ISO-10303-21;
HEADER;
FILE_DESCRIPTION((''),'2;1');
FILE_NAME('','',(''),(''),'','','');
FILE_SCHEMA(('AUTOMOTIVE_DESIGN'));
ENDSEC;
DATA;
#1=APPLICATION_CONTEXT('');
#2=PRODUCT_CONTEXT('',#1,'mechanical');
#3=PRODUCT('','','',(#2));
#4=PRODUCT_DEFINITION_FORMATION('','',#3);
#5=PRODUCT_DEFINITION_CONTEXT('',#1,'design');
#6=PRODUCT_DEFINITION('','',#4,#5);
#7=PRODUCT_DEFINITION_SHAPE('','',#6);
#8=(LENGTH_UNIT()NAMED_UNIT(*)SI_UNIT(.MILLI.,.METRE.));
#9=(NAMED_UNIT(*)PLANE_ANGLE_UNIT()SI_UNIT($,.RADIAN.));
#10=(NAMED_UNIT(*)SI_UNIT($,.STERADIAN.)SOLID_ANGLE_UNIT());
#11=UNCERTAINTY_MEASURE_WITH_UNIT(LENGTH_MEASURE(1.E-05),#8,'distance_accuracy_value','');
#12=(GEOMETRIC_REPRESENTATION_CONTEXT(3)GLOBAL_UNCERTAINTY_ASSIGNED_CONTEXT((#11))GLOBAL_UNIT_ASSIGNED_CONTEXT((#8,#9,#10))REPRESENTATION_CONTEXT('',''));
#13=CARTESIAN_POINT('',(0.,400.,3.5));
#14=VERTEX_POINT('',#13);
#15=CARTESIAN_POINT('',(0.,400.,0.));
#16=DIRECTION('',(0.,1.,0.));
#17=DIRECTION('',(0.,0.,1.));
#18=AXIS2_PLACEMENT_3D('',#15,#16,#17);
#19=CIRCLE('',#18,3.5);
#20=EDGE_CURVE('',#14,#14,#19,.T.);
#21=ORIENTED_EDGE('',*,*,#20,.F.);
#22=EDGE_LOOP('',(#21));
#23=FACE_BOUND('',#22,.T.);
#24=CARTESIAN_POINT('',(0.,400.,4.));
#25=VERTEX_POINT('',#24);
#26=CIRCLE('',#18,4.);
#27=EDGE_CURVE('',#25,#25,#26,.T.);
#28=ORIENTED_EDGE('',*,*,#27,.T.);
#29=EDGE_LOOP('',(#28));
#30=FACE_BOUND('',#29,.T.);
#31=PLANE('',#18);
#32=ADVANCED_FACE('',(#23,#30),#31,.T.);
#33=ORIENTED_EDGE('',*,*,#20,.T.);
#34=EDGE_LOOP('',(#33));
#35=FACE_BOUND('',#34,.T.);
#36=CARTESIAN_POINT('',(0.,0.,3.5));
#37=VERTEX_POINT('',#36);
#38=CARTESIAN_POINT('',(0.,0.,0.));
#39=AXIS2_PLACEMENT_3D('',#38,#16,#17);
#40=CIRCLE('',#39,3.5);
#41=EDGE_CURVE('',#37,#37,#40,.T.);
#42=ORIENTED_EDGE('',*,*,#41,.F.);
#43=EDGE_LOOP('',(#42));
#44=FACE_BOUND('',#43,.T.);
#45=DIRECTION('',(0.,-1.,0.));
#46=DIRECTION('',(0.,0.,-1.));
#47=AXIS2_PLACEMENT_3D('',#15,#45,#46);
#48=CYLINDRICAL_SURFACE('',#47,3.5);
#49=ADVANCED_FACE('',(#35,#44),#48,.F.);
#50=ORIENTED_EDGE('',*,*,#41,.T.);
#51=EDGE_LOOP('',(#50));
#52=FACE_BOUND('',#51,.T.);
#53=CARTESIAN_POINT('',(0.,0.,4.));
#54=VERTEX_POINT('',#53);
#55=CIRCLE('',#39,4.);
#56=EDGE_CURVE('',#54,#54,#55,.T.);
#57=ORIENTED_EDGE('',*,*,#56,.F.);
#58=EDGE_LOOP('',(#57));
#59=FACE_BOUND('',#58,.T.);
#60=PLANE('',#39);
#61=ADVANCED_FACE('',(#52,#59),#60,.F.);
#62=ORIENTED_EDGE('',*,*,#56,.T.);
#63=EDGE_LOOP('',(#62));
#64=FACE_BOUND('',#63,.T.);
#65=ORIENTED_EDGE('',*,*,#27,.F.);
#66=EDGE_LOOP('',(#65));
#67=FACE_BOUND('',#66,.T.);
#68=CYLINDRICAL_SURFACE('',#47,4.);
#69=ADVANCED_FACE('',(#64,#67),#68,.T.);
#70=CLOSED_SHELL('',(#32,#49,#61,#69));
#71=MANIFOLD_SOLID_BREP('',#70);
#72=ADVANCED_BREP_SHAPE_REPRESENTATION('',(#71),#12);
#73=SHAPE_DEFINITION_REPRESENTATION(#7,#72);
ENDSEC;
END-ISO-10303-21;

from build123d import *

# Parameters (mm, degrees)
SKETCH1_R           = 4
SKETCH1_R_2         = 3.5
BOSS_EXTRUDE1_DEPTH = 400


with BuildPart() as part:
    # Sketch1 → Boss-Extrude1 (new body)
    with BuildSketch(Plane(origin=(0, 0, 0), x_dir=(1, 0, 0), z_dir=(0, 1, 0))):
        Circle(SKETCH1_R)
        Circle(SKETCH1_R_2, mode=Mode.SUBTRACT)
    extrude(amount=BOSS_EXTRUDE1_DEPTH)


solid = part.part
